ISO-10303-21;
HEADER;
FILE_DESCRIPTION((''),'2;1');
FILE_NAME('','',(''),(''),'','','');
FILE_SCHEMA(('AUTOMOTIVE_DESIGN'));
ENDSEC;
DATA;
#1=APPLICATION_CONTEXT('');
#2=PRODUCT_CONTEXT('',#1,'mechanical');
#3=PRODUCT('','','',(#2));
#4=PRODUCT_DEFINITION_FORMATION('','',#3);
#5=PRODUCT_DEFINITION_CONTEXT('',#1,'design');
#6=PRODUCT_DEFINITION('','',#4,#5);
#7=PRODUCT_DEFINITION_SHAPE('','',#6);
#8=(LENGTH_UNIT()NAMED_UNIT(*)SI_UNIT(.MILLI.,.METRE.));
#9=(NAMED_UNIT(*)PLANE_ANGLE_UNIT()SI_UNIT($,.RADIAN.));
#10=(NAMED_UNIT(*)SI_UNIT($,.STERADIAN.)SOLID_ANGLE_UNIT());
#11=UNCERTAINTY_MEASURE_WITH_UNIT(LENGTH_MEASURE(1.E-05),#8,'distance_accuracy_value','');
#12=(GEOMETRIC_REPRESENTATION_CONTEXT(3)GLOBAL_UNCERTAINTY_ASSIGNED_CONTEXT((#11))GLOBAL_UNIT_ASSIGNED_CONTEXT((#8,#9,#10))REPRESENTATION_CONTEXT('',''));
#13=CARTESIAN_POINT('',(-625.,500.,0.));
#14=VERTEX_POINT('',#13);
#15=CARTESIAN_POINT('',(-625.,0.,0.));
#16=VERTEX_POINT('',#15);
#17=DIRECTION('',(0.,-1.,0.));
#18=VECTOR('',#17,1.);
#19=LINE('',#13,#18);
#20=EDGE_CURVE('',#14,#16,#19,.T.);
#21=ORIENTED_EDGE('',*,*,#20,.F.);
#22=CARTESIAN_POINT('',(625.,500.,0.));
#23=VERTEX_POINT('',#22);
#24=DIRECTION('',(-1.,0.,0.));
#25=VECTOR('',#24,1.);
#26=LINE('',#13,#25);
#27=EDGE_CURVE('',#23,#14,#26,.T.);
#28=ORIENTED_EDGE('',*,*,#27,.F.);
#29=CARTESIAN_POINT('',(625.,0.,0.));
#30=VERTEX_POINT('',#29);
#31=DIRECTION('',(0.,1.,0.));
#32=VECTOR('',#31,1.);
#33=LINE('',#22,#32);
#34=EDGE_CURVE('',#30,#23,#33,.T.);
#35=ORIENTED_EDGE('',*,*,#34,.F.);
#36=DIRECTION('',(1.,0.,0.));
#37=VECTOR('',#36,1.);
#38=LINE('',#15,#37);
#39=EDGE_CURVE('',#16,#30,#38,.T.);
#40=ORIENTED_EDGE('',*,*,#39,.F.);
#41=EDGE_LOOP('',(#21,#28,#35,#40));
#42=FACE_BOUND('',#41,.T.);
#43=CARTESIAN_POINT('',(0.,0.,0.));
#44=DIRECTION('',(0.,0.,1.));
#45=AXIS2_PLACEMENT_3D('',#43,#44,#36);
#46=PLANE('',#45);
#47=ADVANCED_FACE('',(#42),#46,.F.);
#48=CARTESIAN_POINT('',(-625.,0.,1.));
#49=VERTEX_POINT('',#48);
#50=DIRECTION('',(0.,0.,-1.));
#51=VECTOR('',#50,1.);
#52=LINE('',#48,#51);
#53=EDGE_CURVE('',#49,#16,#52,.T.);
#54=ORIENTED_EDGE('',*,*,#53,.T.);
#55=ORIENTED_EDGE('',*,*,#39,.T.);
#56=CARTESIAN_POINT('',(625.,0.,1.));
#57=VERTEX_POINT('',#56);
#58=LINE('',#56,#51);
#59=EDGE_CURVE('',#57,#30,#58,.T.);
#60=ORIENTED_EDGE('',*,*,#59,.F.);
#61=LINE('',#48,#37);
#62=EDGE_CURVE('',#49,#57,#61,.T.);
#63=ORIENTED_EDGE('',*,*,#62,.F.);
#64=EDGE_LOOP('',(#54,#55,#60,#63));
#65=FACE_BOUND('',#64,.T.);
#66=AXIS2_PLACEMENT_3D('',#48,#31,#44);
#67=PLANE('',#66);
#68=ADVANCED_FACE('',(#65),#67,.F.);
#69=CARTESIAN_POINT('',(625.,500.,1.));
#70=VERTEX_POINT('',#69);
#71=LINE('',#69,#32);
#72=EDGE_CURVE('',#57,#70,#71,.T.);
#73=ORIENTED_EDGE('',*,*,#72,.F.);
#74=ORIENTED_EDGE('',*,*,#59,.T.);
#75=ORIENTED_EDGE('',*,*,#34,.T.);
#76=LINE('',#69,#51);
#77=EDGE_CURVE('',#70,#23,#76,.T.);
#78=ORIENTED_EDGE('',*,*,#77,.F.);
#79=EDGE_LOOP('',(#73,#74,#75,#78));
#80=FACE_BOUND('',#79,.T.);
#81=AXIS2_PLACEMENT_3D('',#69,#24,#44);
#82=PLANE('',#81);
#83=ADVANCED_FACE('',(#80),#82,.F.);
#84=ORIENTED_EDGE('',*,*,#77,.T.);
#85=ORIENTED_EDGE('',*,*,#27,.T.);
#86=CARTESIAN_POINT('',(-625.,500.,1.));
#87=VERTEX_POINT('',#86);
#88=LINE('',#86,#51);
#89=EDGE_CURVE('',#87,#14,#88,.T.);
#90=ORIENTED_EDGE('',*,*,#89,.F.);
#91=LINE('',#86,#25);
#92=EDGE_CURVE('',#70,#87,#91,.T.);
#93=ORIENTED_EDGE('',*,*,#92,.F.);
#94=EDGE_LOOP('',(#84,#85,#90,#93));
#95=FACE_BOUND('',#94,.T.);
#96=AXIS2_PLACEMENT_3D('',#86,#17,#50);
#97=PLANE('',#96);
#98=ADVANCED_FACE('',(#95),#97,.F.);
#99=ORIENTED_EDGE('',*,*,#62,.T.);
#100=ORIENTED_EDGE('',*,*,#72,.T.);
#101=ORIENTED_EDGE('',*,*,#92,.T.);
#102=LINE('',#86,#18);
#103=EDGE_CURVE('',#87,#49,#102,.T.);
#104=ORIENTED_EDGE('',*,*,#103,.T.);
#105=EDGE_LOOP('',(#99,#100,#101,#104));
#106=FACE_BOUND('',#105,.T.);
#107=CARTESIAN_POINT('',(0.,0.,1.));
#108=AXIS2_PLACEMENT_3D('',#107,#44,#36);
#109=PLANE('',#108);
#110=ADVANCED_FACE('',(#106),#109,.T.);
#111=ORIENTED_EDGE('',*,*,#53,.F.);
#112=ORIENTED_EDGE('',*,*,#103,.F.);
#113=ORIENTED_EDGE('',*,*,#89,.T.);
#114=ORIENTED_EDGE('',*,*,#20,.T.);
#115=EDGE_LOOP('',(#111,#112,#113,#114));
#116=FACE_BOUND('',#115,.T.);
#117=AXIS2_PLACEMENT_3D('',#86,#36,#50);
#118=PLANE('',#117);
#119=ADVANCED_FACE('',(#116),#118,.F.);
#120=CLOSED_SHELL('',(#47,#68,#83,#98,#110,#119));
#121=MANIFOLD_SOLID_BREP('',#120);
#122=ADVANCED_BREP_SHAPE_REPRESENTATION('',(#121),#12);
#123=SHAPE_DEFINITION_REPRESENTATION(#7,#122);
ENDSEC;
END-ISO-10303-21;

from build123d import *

# Parameters (mm, degrees)
SKETCH_1_W      = 1250
SKETCH_1_H      = 500
EXTRUDE_1_DEPTH = 1


with BuildPart() as part:
    # Эскиз1 → Бобышка-Вытянуть1 (new body)
    with BuildSketch(Plane.XY):
        with Locations((0, 250)):
            Rectangle(SKETCH_1_W, SKETCH_1_H)
    extrude(amount=EXTRUDE_1_DEPTH)


solid = part.part
